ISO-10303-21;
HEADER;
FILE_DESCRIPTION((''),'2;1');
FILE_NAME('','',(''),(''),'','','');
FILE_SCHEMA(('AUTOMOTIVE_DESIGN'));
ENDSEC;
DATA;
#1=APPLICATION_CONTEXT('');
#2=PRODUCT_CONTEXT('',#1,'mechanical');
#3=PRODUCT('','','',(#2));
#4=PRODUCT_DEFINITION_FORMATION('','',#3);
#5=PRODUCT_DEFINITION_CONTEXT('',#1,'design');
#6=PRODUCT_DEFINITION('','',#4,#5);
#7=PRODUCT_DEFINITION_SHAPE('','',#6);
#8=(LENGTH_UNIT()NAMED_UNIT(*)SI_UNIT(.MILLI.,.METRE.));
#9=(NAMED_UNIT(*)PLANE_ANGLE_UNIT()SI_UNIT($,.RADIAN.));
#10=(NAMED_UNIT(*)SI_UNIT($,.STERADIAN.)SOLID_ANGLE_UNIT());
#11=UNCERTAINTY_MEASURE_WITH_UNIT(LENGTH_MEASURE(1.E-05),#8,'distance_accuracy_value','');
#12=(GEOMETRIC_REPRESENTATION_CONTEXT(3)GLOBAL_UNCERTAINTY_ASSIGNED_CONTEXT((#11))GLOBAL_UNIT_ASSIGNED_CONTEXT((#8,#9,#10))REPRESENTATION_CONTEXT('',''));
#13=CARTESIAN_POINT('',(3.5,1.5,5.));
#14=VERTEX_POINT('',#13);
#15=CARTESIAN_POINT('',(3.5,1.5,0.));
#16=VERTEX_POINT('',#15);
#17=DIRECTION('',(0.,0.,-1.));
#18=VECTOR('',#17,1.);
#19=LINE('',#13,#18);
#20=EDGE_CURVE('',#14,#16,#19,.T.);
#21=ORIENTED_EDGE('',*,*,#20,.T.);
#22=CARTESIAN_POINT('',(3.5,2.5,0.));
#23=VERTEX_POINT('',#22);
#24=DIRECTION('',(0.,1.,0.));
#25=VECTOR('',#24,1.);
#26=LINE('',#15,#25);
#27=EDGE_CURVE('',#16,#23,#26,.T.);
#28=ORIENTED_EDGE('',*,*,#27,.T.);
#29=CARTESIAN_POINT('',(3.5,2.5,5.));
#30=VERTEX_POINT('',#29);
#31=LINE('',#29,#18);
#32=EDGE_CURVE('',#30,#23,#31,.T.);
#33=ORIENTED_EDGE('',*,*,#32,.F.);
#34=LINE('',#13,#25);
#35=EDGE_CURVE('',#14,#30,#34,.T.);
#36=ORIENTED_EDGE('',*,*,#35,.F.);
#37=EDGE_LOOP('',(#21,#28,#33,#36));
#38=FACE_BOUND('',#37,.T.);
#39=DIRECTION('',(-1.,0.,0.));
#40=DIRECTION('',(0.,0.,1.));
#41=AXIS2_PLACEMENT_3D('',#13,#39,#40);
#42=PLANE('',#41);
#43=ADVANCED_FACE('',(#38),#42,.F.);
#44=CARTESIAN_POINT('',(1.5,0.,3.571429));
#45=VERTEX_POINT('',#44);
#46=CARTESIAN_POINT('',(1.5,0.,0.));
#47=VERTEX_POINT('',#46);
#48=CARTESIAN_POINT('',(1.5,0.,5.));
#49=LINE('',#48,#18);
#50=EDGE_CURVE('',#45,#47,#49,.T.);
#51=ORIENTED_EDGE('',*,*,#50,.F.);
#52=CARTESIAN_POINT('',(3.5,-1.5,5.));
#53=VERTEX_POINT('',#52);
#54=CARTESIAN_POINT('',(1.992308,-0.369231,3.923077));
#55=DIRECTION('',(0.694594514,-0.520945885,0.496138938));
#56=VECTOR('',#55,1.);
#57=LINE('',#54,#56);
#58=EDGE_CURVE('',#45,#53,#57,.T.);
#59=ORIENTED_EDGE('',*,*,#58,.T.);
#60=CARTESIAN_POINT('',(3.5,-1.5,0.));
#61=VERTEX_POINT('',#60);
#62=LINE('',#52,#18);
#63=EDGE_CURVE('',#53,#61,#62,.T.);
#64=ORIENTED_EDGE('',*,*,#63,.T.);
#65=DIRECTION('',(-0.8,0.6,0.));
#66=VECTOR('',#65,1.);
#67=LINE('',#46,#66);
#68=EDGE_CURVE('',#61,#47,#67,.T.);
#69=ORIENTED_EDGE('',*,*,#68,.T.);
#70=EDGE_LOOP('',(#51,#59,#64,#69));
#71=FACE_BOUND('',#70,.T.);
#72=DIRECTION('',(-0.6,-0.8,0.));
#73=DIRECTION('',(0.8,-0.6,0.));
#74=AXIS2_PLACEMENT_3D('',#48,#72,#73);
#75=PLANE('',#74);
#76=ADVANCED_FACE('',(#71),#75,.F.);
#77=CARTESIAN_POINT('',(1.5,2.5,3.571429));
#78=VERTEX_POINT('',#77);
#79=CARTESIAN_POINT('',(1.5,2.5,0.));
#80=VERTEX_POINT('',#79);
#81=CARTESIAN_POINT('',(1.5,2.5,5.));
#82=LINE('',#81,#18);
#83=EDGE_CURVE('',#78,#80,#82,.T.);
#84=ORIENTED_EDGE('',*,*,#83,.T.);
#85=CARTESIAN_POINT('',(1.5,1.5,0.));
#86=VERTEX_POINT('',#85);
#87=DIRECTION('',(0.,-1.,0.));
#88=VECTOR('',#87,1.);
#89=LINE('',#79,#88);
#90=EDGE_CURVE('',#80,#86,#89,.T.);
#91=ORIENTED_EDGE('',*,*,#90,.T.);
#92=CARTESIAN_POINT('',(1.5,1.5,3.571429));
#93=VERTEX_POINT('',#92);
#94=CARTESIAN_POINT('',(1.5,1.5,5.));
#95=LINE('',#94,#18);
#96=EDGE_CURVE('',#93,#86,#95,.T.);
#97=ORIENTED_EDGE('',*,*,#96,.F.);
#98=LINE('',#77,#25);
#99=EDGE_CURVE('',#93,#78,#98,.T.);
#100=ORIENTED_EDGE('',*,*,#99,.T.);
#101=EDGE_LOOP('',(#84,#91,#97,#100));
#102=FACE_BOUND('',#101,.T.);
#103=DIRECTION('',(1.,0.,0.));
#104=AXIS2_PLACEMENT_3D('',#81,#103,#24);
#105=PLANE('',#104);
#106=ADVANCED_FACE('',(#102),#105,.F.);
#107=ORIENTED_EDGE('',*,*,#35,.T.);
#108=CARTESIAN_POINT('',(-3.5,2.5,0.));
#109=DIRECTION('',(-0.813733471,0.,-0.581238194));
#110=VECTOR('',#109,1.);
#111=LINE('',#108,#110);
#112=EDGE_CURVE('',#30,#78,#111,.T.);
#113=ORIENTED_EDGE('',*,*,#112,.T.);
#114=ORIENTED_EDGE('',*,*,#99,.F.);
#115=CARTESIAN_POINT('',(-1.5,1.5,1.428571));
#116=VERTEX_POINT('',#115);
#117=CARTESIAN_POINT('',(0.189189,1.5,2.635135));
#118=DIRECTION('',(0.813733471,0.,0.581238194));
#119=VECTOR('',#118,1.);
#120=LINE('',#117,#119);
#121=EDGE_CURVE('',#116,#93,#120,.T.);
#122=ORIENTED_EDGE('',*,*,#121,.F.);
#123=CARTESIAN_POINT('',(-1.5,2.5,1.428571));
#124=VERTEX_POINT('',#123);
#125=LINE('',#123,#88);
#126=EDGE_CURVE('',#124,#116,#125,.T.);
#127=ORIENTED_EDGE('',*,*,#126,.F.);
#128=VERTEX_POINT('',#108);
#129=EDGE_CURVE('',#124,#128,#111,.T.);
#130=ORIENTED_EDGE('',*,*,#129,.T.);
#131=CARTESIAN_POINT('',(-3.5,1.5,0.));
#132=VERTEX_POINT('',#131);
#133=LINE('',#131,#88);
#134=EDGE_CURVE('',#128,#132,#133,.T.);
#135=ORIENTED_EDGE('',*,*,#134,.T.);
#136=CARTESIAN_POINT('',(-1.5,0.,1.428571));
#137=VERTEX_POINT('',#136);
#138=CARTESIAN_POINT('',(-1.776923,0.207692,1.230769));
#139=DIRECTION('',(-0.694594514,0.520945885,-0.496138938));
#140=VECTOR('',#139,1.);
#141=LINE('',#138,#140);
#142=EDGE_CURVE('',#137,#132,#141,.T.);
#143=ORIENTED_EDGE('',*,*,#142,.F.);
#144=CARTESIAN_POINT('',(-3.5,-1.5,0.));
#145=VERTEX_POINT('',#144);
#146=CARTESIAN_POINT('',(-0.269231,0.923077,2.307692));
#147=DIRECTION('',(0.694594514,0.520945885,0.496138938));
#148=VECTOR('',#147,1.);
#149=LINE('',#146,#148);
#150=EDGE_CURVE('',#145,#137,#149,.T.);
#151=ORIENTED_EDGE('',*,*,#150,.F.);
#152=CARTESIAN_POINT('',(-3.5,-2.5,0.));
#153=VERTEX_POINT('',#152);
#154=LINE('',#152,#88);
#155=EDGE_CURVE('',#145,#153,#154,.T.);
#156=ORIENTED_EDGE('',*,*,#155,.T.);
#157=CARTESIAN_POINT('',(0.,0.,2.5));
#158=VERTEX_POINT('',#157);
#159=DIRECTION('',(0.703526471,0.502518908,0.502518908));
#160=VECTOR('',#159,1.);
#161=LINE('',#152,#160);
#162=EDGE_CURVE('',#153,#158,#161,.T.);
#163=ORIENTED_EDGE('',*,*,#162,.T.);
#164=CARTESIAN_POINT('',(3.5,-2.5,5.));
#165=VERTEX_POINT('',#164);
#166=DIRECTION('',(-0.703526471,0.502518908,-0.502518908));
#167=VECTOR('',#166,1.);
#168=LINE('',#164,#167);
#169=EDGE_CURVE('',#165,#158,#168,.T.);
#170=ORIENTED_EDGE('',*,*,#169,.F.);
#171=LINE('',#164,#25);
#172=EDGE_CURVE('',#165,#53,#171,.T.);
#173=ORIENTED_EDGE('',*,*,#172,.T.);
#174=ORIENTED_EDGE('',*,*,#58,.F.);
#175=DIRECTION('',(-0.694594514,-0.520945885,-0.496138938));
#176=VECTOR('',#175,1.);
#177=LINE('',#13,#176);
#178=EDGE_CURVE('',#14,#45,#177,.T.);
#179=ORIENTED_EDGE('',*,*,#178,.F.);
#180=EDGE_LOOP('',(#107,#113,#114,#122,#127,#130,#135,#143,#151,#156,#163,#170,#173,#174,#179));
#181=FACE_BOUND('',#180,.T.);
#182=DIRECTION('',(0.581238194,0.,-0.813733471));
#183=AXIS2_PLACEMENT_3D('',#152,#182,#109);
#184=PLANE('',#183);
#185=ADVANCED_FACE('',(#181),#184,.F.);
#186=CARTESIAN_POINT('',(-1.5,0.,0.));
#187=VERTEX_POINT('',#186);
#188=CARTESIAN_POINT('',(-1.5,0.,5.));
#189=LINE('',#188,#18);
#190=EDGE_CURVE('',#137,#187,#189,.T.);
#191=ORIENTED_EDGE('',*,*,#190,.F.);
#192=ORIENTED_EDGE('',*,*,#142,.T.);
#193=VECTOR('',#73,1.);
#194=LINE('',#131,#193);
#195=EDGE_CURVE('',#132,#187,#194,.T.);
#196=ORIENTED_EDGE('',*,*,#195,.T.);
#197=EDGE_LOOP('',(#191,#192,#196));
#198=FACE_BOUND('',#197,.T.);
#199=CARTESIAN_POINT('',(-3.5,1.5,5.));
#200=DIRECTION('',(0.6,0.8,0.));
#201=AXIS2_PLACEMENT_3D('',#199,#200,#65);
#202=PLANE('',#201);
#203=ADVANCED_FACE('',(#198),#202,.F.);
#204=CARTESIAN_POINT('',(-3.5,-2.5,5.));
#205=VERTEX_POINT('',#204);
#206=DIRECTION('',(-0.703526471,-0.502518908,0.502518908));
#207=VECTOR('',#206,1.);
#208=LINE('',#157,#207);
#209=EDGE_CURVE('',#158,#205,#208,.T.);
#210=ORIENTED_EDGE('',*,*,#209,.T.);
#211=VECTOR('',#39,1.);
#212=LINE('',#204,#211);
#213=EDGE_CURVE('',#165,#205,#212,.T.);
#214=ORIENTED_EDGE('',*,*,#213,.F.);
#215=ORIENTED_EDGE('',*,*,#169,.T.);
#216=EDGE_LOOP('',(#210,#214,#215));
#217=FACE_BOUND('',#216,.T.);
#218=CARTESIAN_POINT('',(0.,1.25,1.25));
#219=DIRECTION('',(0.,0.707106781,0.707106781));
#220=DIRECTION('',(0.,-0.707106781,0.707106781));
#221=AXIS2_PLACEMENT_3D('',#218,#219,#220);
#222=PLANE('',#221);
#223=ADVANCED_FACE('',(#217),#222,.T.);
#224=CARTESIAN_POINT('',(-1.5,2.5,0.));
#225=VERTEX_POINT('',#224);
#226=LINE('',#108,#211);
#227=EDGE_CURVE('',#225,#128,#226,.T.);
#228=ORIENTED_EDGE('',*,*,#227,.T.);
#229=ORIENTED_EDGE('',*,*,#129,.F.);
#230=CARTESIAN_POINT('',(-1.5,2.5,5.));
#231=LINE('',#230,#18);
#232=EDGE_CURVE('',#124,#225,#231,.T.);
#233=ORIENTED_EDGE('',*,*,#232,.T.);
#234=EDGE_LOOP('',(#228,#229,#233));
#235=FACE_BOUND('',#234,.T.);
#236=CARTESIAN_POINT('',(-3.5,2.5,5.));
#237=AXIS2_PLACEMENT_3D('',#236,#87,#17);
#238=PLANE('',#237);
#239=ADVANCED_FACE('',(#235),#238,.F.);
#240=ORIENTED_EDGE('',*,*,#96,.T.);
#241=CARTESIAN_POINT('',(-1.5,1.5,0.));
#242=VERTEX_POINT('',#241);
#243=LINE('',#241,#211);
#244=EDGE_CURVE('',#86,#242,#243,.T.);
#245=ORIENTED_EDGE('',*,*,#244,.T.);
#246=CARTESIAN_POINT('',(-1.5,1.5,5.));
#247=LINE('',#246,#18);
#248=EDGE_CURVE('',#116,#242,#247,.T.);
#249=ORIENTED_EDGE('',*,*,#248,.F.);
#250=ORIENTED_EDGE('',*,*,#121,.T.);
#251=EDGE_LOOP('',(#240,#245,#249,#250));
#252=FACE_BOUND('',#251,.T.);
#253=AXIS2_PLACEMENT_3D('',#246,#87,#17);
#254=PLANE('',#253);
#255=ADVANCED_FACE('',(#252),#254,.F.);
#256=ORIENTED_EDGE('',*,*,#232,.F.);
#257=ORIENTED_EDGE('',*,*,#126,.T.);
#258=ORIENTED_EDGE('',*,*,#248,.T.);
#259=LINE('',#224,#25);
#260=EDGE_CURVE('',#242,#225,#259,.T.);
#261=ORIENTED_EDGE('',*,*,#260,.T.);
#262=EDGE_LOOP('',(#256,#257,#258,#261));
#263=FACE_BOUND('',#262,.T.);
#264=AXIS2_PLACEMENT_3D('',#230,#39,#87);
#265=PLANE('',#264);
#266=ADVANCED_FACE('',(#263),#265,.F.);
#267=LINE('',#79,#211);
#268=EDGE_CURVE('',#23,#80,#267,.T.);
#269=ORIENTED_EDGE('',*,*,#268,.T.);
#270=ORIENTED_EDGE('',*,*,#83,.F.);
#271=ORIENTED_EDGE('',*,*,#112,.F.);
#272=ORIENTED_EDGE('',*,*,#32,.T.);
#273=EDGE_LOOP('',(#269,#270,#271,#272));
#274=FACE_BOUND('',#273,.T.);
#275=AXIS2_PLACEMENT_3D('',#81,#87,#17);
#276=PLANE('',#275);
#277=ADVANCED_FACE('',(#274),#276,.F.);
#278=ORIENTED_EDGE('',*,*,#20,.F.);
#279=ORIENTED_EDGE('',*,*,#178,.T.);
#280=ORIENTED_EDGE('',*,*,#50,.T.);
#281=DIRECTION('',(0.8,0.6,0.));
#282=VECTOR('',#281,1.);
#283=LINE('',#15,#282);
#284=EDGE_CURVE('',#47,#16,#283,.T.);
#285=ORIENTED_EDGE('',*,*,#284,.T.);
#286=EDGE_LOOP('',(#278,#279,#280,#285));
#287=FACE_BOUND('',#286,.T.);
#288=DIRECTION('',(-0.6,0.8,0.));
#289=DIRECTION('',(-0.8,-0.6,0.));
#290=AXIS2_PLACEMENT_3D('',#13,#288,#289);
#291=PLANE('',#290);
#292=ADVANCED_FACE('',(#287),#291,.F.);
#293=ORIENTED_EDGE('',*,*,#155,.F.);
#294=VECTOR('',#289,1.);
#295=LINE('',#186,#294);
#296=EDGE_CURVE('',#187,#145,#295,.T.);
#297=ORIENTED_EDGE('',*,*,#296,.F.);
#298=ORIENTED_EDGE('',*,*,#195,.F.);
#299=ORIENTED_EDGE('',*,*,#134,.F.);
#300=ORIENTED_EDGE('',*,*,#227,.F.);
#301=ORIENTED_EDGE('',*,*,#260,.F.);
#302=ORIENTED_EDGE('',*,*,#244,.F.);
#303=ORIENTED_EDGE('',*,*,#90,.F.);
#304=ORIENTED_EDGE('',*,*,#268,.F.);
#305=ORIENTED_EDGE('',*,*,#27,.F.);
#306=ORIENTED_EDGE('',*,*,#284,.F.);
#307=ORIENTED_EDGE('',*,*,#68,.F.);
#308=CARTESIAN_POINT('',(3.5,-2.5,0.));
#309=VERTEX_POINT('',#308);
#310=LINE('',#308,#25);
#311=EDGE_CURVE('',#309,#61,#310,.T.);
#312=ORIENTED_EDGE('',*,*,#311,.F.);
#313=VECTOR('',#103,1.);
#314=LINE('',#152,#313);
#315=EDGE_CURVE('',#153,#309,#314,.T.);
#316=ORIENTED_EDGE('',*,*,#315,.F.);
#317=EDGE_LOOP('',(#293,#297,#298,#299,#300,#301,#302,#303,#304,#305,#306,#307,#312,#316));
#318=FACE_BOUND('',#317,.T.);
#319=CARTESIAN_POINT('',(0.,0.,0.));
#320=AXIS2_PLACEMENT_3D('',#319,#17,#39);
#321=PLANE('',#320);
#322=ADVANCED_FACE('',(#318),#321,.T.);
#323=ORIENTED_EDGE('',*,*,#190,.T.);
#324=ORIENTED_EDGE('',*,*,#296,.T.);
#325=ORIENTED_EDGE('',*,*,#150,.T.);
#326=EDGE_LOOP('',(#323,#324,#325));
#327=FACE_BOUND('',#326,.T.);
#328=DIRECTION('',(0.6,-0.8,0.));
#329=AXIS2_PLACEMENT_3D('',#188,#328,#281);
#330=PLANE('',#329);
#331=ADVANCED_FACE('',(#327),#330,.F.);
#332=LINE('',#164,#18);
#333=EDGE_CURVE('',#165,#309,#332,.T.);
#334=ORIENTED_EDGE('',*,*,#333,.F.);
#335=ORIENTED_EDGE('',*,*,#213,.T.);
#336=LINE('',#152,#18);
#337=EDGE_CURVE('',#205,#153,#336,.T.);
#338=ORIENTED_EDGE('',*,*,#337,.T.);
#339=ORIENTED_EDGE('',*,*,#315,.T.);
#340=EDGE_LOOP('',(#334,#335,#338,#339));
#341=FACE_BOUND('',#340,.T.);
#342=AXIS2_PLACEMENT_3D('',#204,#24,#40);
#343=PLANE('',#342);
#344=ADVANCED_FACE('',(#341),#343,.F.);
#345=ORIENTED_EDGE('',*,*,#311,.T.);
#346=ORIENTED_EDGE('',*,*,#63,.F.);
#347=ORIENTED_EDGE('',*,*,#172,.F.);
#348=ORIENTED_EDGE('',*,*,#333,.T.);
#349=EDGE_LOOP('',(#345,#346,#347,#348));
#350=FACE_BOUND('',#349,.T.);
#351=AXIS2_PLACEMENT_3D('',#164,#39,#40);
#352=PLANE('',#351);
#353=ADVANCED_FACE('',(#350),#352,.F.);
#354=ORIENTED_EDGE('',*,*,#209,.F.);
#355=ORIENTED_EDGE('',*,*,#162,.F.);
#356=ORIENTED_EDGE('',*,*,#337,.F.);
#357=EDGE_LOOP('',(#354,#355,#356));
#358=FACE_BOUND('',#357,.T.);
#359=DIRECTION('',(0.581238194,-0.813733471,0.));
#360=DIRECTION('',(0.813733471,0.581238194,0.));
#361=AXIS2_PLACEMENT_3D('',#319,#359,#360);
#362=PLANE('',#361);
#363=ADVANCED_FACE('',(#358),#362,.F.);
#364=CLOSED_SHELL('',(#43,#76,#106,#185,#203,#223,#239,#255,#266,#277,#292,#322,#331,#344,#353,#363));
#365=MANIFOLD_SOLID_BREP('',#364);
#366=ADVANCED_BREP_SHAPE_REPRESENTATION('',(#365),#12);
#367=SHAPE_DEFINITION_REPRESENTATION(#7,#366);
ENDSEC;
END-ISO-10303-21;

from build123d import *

# Parameters (mm, degrees)
BOSS_EXTRUDE1_DEPTH = 5
CUT_EXTRUDE1_DEPTH  = 5
BOSS_EXTRUDE2_DEPTH = 2.5
CUT_EXTRUDE2_DEPTH  = 2.5
CUT_EXTRUDE3_DEPTH  = 2.5


with BuildPart() as part:
    # Sketch1 → Boss-Extrude1 (new body)
    with BuildSketch(Plane.XY):
        Polygon((-3.5, -2.5), (3.5, -2.5), (3.5, -1.5), (1.5, 0), (3.5, 1.5), (3.5, 2.5), (1.5, 2.5), (1.5, 1.5), (-1.5, 1.5), (-1.5, 2.5), (-3.5, 2.5), (-3.5, 1.5), (-1.5, 0), (-3.5, -1.5), align=None)
    extrude(amount=BOSS_EXTRUDE1_DEPTH)

    # Sketch2 → Cut-Extrude1 (cut)
    with BuildSketch(Plane(origin=(0, 2.5, 0), x_dir=(1, 0, 0), z_dir=(0, 1, 0))):
        Polygon((-3.5, 0), (3.5, -5), (-3.5, -5), align=None)
    extrude(amount=-CUT_EXTRUDE1_DEPTH, mode=Mode.SUBTRACT)

    # Sketch3 → Boss-Extrude2 (add)
    with BuildSketch(Plane.XZ.offset(2.5)):
        Polygon((-3.5, 0), (-3.5, 5), (3.5, 5), align=None)
    extrude(amount=-BOSS_EXTRUDE2_DEPTH)

    # 3DSketch2 → Cut-Extrude2 (cut, along a direction that is not the sketch's normal)
    with BuildSketch(Plane(origin=(-3.5, -2.5, 0), x_dir=(0, 0, 1), z_dir=(-0.5812381937190964, 0.8137334712067351, 0))):
        Polygon((0, 0), (2.5, 4.301162634), (5, 0), align=None)
    extrude(amount=CUT_EXTRUDE2_DEPTH, dir=(0, 1, 0), mode=Mode.SUBTRACT)

    # 3DSketch3 → Cut-Extrude3 (cut, along a direction that is not the sketch's normal)
    with BuildSketch(Plane(origin=(0, 0, 2.5), x_dir=(-0.7035264706814485, -0.502518907629606, 0.502518907629606), z_dir=(0, 0.7071067811865476, 0.7071067811865476))):
        Polygon((0, 0), (4.974937186, 0), (0.050251891, 4.974683382), align=None)
    extrude(amount=CUT_EXTRUDE3_DEPTH, dir=(0, 1, 0), mode=Mode.SUBTRACT)


solid = part.part
